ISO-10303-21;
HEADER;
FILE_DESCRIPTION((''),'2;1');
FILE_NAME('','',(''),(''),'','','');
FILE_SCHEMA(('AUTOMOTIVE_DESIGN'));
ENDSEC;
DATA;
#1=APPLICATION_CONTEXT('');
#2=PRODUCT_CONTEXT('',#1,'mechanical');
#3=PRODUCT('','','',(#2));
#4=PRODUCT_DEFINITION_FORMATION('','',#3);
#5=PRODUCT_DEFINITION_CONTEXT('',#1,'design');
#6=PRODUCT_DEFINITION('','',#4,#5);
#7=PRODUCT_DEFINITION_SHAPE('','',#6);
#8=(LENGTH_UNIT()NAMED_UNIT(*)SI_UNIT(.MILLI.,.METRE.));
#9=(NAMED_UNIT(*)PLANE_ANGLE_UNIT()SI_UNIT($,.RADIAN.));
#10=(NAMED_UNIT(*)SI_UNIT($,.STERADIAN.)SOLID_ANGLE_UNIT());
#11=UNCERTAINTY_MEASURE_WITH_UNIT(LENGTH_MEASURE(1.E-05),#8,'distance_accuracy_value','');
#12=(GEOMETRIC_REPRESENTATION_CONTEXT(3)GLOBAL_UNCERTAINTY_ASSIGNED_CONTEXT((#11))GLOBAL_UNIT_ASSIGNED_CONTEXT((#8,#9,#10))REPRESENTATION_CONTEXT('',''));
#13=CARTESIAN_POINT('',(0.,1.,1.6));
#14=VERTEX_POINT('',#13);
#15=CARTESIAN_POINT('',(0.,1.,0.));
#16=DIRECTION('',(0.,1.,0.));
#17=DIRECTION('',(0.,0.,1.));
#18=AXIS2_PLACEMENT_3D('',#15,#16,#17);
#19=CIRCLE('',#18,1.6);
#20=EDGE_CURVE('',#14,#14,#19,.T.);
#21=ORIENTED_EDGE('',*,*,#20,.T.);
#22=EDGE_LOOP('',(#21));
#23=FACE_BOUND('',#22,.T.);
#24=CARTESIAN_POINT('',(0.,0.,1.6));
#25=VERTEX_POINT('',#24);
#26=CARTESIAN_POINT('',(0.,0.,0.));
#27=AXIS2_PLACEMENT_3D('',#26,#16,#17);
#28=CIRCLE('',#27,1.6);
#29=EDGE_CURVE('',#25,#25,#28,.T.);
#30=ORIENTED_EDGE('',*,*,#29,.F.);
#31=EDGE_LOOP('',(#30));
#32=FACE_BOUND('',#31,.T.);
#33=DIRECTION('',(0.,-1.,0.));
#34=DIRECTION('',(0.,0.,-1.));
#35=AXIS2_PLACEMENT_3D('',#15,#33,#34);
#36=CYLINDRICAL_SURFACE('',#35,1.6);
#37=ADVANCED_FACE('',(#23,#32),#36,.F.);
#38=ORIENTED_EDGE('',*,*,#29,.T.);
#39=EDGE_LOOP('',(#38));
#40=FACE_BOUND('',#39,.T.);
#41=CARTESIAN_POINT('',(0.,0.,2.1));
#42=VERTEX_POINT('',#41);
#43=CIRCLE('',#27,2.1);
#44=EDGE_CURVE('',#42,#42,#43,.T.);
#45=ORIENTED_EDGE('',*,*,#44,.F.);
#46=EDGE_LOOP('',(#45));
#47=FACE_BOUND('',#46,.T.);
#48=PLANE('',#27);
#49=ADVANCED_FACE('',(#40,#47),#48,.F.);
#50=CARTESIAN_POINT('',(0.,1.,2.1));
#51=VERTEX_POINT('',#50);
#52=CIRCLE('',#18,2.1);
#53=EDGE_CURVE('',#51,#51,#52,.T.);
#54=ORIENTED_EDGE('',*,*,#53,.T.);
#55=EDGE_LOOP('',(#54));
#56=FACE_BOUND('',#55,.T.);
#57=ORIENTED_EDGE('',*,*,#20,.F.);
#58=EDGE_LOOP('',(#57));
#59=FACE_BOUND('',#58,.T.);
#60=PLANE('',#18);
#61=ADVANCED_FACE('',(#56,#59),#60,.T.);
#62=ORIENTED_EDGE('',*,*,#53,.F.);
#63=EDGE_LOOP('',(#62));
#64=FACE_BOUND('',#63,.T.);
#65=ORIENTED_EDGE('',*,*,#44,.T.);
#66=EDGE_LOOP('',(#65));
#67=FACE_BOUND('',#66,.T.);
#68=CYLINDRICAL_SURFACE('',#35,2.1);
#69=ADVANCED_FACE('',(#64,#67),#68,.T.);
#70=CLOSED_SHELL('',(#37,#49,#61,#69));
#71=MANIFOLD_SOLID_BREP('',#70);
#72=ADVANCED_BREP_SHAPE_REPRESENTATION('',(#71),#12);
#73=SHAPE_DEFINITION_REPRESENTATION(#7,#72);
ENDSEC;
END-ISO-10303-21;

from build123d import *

# Parameters (mm, degrees)
SKETCH1_R           = 2.1
SKETCH1_R_2         = 1.6
BOSS_EXTRUDE1_DEPTH = 1


with BuildPart() as part:
    # Sketch1 → Boss-Extrude1 (new body)
    with BuildSketch(Plane(origin=(0, 0, 0), x_dir=(1, 0, 0), z_dir=(0, 1, 0))):
        Circle(SKETCH1_R)
        Circle(SKETCH1_R_2, mode=Mode.SUBTRACT)
    extrude(amount=BOSS_EXTRUDE1_DEPTH)


solid = part.part
